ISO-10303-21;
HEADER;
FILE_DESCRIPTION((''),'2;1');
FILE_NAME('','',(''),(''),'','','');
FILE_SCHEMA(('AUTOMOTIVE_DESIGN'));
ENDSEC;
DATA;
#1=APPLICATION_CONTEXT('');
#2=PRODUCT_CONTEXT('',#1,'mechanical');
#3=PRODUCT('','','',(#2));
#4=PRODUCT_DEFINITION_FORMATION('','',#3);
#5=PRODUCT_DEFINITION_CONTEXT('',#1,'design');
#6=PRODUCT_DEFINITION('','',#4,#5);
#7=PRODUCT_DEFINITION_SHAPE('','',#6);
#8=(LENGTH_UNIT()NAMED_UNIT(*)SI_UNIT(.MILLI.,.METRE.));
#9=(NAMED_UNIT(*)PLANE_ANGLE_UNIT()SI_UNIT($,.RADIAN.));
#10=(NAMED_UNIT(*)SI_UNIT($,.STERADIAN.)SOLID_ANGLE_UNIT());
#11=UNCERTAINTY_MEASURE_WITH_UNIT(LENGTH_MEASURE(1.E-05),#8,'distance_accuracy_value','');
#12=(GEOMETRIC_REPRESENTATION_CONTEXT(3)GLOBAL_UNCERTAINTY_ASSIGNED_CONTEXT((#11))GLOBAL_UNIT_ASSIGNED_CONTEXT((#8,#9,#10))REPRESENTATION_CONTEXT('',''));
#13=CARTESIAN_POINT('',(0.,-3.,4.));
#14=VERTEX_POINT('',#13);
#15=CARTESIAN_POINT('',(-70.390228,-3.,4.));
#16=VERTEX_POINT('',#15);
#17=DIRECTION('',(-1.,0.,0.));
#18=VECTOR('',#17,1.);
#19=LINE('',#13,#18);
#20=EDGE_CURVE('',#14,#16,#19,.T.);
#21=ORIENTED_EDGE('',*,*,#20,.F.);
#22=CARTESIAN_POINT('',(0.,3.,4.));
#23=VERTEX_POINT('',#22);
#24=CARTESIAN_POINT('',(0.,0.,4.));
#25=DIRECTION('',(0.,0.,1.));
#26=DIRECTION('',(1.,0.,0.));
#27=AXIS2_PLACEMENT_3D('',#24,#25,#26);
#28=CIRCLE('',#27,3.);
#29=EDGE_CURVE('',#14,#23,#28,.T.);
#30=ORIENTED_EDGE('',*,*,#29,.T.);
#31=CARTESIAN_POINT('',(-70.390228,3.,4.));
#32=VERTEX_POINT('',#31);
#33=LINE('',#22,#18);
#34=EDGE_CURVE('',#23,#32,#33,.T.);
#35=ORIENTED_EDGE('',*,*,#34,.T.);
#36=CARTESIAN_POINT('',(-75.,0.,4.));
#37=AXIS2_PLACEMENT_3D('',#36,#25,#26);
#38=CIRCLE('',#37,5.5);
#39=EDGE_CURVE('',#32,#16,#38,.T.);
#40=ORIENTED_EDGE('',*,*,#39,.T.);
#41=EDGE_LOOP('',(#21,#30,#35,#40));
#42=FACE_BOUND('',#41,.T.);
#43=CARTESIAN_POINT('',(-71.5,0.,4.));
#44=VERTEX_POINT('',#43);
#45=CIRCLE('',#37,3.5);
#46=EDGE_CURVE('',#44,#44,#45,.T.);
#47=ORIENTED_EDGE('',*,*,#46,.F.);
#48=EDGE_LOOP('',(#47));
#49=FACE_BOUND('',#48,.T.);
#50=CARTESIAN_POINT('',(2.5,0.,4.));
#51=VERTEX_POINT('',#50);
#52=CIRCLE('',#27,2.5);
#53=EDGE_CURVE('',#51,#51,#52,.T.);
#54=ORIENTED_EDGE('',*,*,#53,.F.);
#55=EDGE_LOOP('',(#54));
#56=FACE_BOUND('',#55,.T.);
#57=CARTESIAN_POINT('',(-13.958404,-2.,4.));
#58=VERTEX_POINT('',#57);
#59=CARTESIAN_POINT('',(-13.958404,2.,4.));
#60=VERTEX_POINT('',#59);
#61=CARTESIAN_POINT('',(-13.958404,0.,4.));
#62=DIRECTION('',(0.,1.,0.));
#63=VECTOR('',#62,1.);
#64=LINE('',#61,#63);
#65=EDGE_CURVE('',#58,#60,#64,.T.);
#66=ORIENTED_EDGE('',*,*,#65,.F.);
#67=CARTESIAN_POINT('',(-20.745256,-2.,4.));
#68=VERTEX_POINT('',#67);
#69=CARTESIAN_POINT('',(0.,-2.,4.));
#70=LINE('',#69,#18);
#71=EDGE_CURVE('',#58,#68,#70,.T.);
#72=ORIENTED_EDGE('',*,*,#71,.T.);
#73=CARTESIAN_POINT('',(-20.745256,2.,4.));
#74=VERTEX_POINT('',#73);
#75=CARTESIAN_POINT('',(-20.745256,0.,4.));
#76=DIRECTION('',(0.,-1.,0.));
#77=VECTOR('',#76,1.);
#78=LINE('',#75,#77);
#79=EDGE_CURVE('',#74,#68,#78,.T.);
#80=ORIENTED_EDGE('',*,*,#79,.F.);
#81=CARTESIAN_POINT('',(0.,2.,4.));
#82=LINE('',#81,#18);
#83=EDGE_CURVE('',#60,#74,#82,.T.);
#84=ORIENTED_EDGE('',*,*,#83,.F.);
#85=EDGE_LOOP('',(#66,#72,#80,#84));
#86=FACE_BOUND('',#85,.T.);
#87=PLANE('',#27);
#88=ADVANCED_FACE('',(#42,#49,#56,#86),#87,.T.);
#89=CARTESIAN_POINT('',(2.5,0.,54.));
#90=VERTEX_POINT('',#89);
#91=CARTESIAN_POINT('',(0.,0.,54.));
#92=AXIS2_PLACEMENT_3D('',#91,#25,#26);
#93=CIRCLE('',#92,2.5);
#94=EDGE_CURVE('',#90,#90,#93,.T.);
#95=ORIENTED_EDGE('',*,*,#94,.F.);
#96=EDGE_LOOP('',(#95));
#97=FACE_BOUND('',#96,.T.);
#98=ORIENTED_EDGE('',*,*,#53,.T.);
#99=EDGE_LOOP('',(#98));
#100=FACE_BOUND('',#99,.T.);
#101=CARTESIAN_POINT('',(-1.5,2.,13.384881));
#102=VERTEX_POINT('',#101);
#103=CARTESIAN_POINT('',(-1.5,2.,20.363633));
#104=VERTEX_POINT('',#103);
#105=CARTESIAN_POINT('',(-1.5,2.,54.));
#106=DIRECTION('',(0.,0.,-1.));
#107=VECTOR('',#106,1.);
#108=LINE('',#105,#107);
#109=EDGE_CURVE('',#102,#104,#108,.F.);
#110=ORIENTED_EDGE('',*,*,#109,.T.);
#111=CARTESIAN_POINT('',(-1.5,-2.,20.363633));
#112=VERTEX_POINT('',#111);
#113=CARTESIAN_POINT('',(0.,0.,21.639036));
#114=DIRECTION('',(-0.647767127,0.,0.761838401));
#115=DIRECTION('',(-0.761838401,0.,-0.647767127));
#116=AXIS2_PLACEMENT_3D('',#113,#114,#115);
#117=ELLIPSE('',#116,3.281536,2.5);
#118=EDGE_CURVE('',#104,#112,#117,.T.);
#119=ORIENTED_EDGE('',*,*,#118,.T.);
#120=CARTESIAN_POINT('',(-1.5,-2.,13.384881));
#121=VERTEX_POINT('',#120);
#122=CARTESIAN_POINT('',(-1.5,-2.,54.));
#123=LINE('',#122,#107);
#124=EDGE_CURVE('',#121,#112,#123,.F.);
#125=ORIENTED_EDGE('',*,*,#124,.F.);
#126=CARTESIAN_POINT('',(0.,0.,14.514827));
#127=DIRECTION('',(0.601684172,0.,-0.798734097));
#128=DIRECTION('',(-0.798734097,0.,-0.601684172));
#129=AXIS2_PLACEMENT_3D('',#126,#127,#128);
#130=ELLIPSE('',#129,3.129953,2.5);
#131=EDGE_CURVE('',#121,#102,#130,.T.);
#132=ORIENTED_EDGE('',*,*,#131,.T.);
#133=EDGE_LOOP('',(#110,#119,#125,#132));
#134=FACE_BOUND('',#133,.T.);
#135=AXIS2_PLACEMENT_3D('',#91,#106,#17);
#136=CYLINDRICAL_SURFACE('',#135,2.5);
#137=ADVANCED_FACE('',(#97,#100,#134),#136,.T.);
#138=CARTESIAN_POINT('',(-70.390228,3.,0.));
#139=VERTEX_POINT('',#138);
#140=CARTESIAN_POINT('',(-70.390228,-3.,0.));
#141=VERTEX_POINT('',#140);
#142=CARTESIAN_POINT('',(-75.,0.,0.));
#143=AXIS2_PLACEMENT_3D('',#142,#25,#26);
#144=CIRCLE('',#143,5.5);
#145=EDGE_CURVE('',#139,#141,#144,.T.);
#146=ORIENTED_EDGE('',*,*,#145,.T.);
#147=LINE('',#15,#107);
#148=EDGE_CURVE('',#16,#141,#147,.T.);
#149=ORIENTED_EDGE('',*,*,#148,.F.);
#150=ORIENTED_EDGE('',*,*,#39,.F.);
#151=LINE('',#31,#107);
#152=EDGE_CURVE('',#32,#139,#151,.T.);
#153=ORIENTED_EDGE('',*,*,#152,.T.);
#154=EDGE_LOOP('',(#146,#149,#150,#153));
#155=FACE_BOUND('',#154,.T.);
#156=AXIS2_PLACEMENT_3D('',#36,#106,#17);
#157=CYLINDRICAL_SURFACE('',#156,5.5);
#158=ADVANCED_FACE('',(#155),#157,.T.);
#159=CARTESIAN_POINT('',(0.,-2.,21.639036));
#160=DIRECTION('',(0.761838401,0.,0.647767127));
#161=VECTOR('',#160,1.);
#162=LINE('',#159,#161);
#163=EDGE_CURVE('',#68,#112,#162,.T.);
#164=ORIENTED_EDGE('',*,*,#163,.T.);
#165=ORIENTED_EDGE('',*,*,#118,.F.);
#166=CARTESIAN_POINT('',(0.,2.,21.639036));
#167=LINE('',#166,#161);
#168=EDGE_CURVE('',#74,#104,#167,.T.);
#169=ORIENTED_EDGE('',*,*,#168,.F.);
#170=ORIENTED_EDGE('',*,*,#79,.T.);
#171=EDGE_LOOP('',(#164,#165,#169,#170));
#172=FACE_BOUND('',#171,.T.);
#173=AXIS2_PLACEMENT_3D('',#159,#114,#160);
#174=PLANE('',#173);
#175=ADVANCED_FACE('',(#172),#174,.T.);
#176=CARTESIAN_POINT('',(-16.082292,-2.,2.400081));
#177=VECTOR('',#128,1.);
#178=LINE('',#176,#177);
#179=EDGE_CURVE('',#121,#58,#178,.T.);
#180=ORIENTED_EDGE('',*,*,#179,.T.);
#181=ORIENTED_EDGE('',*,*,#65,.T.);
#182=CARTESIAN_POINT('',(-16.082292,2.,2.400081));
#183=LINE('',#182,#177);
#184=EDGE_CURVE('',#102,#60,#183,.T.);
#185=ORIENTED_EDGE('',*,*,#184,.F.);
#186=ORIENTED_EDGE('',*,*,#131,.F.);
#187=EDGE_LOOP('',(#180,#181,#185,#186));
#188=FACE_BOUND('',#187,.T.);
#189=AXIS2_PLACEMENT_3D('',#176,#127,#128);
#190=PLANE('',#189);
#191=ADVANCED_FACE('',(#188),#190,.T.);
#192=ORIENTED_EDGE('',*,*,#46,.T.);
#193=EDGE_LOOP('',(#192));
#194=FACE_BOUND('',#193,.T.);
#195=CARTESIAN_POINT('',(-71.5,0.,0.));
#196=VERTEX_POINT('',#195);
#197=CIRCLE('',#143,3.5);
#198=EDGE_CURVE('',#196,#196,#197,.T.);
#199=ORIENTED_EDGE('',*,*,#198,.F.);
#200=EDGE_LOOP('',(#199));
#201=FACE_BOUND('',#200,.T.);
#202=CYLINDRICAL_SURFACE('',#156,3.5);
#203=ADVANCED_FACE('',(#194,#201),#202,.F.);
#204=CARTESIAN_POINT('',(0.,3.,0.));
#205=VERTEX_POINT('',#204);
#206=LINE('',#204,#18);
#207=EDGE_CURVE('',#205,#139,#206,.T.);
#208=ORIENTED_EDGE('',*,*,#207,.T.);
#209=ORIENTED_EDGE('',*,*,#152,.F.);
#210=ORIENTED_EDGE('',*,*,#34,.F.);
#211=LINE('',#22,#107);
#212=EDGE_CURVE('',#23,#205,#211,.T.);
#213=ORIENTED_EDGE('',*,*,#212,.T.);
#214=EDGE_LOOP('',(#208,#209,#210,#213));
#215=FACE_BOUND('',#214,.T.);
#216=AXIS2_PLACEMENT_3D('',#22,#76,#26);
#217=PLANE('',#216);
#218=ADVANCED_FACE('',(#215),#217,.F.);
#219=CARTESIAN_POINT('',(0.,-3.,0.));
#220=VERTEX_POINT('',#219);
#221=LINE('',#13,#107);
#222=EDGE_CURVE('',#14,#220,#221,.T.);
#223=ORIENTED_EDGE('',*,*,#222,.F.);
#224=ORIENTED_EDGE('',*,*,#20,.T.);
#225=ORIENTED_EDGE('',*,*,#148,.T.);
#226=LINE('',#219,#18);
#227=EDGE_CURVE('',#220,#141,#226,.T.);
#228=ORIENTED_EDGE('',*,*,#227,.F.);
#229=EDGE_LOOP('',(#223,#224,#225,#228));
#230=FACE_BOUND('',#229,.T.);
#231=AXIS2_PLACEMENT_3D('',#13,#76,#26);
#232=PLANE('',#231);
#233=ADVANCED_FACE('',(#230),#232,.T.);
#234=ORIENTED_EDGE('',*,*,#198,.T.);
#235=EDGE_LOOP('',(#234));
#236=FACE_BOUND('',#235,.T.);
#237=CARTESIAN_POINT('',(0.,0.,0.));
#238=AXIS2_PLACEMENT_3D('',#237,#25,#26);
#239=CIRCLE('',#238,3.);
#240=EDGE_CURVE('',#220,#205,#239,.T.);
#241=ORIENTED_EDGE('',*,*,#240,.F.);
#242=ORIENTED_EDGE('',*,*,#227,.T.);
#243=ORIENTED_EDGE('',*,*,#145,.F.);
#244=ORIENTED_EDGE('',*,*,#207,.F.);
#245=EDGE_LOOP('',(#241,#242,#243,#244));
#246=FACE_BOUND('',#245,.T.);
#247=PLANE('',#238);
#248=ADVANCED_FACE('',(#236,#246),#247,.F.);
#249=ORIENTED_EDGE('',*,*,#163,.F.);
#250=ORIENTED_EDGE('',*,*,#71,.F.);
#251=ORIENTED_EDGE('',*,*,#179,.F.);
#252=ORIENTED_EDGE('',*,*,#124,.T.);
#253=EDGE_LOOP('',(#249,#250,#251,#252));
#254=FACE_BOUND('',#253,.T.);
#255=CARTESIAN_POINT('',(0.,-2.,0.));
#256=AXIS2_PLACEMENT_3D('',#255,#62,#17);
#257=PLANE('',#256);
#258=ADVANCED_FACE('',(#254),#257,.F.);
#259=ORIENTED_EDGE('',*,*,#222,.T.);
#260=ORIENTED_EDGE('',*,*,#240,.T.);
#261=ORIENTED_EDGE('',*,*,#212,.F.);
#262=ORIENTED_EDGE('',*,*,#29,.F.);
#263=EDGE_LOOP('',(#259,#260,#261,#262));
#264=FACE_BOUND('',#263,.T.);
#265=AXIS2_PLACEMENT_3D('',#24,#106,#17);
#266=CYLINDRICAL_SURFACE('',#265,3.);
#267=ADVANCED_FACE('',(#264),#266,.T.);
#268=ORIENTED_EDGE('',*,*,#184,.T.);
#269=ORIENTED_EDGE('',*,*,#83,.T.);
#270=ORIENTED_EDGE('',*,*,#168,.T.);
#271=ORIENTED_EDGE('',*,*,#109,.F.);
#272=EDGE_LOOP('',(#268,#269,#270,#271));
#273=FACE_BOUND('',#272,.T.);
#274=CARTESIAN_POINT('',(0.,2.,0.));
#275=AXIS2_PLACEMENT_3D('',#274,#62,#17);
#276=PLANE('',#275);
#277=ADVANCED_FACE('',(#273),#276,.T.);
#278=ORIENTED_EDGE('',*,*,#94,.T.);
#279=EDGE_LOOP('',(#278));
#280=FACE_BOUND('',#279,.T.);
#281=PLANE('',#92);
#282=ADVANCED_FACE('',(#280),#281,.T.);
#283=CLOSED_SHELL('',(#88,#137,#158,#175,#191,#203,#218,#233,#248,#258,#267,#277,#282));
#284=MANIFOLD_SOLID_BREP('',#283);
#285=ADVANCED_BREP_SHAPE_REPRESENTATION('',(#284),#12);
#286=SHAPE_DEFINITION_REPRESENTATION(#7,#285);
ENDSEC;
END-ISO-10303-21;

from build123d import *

# Parameters (mm, degrees)
SKETCH1_R                = 3.5
BOSS_EXTRUDE1_DEPTH      = 4
SKETCH2_R                = 2.5
BOSS_EXTRUDE2_DEPTH      = 50
BOSS_EXTRUDE3_DEPTH      = 2
BOSS_EXTRUDE3_DEPTH_BACK = 2


with BuildPart() as part:
    # Sketch1 → Boss-Extrude1 (new body)
    with BuildSketch(Plane.XY):
        with BuildLine():
            Line((0, -3), (-70.390227771, -3))
            ThreePointArc((-70.390227771, -3), (-80.5, 0), (-70.390227771, 3))
            Line((-70.390227771, 3), (0, 3))
            ThreePointArc((0, 3), (3, 0), (0, -3))
        make_face()
        with Locations((-75, 0)):
            Circle(SKETCH1_R, mode=Mode.SUBTRACT)
    extrude(amount=BOSS_EXTRUDE1_DEPTH)

    # Sketch2 → Boss-Extrude2 (add)
    with BuildSketch(Plane.XY.offset(4)):
        Circle(SKETCH2_R)
    extrude(amount=BOSS_EXTRUDE2_DEPTH)

    # Sketch3 → Boss-Extrude3 (add, two sides)
    with BuildSketch(Plane(origin=(0, 0, 0), x_dir=(1, 0, 0), z_dir=(0, 1, 0))) as boss_extrude3_sk:
        Polygon((-22.626919406, -2.400081024), (-16.082292112, -2.400081024), (0, -14.514826908), (0, -21.639035848), align=None)
    extrude(amount=BOSS_EXTRUDE3_DEPTH)
    extrude(boss_extrude3_sk.sketch, amount=-BOSS_EXTRUDE3_DEPTH_BACK)


solid = part.part
